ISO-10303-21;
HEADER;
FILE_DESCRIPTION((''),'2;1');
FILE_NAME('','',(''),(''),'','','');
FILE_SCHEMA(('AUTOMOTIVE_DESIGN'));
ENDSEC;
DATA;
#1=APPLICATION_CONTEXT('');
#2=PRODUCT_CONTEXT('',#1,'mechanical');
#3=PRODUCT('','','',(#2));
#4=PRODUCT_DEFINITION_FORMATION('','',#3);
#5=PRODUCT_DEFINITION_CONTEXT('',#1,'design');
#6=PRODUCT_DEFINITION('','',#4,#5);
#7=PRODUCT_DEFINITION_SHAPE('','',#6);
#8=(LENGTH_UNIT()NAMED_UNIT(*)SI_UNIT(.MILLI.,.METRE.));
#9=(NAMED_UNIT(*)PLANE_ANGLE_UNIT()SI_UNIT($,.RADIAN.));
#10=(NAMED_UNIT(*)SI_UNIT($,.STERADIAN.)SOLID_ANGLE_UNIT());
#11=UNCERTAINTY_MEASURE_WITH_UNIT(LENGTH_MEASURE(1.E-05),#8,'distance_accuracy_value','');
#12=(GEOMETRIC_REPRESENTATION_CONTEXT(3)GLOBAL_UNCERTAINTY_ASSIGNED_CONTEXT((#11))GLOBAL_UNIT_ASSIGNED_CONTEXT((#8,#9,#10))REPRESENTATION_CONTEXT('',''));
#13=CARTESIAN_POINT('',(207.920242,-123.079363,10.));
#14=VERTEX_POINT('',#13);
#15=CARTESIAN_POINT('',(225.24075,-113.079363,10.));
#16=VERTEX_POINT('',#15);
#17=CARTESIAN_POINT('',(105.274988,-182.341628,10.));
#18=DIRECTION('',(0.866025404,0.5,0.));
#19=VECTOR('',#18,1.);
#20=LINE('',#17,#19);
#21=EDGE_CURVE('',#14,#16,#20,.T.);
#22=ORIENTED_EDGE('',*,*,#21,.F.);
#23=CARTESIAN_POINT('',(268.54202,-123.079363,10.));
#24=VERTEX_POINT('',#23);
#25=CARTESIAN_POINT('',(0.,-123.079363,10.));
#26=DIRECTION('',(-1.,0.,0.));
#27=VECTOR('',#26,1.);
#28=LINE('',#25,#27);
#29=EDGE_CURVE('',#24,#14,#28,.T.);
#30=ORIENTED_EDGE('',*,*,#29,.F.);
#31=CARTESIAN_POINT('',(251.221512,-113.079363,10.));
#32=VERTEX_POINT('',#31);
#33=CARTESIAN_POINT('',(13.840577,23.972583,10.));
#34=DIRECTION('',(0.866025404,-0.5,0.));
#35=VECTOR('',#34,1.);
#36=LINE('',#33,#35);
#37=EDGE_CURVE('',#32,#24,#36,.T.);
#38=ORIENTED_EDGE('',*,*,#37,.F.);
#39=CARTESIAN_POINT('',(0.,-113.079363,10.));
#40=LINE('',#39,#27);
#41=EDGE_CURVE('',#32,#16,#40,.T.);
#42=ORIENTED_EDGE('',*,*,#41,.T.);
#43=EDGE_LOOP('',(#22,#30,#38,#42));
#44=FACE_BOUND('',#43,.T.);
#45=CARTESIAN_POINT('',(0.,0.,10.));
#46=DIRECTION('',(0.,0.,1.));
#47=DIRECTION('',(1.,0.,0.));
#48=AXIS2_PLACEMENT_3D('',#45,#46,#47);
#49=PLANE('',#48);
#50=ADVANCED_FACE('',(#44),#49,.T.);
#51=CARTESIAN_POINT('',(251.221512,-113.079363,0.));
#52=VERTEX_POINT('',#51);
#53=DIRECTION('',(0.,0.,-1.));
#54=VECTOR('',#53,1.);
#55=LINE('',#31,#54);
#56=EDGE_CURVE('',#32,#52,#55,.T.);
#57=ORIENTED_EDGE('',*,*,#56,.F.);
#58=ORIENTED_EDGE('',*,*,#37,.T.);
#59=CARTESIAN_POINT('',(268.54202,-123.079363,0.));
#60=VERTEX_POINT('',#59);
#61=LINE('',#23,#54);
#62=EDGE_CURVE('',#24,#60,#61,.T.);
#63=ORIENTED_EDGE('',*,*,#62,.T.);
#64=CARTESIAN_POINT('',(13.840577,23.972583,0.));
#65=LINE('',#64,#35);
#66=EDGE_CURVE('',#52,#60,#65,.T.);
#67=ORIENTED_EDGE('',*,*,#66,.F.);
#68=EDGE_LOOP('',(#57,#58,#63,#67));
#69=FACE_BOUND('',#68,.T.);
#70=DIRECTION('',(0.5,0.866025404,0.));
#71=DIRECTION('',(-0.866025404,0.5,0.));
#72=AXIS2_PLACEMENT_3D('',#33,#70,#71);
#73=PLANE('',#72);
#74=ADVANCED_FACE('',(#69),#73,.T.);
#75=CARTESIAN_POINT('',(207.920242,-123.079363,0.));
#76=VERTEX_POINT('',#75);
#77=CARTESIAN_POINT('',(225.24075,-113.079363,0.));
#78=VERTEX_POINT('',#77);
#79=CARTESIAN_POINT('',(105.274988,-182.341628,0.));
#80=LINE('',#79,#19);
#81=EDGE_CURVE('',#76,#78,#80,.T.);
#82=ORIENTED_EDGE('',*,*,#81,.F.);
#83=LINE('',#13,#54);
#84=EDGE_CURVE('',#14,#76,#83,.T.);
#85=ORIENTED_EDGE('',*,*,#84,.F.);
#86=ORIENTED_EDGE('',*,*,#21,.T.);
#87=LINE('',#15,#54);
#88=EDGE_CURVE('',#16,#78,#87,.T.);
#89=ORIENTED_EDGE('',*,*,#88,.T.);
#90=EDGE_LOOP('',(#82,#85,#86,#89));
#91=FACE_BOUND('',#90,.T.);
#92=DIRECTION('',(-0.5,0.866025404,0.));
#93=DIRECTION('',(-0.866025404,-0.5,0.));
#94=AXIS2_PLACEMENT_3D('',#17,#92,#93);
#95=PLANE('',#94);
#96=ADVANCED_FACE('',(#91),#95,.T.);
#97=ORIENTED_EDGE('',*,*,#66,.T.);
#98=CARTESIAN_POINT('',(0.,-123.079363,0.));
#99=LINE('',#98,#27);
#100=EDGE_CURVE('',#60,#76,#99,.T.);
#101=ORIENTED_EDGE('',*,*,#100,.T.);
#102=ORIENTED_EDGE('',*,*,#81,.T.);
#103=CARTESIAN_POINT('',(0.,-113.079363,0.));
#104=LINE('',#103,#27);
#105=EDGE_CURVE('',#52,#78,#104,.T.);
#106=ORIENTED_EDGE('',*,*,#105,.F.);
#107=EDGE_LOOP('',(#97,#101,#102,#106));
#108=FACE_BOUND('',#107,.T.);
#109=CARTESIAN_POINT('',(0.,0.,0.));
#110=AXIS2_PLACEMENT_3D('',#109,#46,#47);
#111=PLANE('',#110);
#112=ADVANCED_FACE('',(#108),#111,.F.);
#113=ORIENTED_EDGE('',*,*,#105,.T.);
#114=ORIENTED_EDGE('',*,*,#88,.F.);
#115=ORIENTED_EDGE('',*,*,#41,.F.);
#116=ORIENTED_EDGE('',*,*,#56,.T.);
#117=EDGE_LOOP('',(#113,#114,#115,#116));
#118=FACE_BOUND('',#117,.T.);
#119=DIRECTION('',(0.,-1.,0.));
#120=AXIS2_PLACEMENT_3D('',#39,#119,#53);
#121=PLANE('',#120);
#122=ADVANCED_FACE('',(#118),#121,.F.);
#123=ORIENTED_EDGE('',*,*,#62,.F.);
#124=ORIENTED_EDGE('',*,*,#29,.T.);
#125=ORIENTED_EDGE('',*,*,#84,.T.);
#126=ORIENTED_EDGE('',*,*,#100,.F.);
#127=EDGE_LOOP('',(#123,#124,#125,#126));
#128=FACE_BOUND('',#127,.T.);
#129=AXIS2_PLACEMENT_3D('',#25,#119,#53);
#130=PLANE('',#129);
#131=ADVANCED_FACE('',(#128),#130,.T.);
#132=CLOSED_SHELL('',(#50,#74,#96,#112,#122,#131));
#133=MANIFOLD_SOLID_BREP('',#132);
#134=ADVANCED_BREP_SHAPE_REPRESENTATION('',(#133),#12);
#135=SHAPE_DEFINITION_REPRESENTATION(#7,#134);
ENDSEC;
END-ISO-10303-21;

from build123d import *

# Parameters (mm, degrees)
BOSS_EXTRUDE1_DEPTH = 10


with BuildPart() as part:
    # Sketch1 → Boss-Extrude1 (new body)
    with BuildSketch(Plane.XY):
        Polygon((268.5420204, -123.079363354), (251.221512325, -113.079363354), (225.240750211, -113.079363354), (207.920242135, -123.079363354), align=None)
    extrude(amount=BOSS_EXTRUDE1_DEPTH)


solid = part.part
